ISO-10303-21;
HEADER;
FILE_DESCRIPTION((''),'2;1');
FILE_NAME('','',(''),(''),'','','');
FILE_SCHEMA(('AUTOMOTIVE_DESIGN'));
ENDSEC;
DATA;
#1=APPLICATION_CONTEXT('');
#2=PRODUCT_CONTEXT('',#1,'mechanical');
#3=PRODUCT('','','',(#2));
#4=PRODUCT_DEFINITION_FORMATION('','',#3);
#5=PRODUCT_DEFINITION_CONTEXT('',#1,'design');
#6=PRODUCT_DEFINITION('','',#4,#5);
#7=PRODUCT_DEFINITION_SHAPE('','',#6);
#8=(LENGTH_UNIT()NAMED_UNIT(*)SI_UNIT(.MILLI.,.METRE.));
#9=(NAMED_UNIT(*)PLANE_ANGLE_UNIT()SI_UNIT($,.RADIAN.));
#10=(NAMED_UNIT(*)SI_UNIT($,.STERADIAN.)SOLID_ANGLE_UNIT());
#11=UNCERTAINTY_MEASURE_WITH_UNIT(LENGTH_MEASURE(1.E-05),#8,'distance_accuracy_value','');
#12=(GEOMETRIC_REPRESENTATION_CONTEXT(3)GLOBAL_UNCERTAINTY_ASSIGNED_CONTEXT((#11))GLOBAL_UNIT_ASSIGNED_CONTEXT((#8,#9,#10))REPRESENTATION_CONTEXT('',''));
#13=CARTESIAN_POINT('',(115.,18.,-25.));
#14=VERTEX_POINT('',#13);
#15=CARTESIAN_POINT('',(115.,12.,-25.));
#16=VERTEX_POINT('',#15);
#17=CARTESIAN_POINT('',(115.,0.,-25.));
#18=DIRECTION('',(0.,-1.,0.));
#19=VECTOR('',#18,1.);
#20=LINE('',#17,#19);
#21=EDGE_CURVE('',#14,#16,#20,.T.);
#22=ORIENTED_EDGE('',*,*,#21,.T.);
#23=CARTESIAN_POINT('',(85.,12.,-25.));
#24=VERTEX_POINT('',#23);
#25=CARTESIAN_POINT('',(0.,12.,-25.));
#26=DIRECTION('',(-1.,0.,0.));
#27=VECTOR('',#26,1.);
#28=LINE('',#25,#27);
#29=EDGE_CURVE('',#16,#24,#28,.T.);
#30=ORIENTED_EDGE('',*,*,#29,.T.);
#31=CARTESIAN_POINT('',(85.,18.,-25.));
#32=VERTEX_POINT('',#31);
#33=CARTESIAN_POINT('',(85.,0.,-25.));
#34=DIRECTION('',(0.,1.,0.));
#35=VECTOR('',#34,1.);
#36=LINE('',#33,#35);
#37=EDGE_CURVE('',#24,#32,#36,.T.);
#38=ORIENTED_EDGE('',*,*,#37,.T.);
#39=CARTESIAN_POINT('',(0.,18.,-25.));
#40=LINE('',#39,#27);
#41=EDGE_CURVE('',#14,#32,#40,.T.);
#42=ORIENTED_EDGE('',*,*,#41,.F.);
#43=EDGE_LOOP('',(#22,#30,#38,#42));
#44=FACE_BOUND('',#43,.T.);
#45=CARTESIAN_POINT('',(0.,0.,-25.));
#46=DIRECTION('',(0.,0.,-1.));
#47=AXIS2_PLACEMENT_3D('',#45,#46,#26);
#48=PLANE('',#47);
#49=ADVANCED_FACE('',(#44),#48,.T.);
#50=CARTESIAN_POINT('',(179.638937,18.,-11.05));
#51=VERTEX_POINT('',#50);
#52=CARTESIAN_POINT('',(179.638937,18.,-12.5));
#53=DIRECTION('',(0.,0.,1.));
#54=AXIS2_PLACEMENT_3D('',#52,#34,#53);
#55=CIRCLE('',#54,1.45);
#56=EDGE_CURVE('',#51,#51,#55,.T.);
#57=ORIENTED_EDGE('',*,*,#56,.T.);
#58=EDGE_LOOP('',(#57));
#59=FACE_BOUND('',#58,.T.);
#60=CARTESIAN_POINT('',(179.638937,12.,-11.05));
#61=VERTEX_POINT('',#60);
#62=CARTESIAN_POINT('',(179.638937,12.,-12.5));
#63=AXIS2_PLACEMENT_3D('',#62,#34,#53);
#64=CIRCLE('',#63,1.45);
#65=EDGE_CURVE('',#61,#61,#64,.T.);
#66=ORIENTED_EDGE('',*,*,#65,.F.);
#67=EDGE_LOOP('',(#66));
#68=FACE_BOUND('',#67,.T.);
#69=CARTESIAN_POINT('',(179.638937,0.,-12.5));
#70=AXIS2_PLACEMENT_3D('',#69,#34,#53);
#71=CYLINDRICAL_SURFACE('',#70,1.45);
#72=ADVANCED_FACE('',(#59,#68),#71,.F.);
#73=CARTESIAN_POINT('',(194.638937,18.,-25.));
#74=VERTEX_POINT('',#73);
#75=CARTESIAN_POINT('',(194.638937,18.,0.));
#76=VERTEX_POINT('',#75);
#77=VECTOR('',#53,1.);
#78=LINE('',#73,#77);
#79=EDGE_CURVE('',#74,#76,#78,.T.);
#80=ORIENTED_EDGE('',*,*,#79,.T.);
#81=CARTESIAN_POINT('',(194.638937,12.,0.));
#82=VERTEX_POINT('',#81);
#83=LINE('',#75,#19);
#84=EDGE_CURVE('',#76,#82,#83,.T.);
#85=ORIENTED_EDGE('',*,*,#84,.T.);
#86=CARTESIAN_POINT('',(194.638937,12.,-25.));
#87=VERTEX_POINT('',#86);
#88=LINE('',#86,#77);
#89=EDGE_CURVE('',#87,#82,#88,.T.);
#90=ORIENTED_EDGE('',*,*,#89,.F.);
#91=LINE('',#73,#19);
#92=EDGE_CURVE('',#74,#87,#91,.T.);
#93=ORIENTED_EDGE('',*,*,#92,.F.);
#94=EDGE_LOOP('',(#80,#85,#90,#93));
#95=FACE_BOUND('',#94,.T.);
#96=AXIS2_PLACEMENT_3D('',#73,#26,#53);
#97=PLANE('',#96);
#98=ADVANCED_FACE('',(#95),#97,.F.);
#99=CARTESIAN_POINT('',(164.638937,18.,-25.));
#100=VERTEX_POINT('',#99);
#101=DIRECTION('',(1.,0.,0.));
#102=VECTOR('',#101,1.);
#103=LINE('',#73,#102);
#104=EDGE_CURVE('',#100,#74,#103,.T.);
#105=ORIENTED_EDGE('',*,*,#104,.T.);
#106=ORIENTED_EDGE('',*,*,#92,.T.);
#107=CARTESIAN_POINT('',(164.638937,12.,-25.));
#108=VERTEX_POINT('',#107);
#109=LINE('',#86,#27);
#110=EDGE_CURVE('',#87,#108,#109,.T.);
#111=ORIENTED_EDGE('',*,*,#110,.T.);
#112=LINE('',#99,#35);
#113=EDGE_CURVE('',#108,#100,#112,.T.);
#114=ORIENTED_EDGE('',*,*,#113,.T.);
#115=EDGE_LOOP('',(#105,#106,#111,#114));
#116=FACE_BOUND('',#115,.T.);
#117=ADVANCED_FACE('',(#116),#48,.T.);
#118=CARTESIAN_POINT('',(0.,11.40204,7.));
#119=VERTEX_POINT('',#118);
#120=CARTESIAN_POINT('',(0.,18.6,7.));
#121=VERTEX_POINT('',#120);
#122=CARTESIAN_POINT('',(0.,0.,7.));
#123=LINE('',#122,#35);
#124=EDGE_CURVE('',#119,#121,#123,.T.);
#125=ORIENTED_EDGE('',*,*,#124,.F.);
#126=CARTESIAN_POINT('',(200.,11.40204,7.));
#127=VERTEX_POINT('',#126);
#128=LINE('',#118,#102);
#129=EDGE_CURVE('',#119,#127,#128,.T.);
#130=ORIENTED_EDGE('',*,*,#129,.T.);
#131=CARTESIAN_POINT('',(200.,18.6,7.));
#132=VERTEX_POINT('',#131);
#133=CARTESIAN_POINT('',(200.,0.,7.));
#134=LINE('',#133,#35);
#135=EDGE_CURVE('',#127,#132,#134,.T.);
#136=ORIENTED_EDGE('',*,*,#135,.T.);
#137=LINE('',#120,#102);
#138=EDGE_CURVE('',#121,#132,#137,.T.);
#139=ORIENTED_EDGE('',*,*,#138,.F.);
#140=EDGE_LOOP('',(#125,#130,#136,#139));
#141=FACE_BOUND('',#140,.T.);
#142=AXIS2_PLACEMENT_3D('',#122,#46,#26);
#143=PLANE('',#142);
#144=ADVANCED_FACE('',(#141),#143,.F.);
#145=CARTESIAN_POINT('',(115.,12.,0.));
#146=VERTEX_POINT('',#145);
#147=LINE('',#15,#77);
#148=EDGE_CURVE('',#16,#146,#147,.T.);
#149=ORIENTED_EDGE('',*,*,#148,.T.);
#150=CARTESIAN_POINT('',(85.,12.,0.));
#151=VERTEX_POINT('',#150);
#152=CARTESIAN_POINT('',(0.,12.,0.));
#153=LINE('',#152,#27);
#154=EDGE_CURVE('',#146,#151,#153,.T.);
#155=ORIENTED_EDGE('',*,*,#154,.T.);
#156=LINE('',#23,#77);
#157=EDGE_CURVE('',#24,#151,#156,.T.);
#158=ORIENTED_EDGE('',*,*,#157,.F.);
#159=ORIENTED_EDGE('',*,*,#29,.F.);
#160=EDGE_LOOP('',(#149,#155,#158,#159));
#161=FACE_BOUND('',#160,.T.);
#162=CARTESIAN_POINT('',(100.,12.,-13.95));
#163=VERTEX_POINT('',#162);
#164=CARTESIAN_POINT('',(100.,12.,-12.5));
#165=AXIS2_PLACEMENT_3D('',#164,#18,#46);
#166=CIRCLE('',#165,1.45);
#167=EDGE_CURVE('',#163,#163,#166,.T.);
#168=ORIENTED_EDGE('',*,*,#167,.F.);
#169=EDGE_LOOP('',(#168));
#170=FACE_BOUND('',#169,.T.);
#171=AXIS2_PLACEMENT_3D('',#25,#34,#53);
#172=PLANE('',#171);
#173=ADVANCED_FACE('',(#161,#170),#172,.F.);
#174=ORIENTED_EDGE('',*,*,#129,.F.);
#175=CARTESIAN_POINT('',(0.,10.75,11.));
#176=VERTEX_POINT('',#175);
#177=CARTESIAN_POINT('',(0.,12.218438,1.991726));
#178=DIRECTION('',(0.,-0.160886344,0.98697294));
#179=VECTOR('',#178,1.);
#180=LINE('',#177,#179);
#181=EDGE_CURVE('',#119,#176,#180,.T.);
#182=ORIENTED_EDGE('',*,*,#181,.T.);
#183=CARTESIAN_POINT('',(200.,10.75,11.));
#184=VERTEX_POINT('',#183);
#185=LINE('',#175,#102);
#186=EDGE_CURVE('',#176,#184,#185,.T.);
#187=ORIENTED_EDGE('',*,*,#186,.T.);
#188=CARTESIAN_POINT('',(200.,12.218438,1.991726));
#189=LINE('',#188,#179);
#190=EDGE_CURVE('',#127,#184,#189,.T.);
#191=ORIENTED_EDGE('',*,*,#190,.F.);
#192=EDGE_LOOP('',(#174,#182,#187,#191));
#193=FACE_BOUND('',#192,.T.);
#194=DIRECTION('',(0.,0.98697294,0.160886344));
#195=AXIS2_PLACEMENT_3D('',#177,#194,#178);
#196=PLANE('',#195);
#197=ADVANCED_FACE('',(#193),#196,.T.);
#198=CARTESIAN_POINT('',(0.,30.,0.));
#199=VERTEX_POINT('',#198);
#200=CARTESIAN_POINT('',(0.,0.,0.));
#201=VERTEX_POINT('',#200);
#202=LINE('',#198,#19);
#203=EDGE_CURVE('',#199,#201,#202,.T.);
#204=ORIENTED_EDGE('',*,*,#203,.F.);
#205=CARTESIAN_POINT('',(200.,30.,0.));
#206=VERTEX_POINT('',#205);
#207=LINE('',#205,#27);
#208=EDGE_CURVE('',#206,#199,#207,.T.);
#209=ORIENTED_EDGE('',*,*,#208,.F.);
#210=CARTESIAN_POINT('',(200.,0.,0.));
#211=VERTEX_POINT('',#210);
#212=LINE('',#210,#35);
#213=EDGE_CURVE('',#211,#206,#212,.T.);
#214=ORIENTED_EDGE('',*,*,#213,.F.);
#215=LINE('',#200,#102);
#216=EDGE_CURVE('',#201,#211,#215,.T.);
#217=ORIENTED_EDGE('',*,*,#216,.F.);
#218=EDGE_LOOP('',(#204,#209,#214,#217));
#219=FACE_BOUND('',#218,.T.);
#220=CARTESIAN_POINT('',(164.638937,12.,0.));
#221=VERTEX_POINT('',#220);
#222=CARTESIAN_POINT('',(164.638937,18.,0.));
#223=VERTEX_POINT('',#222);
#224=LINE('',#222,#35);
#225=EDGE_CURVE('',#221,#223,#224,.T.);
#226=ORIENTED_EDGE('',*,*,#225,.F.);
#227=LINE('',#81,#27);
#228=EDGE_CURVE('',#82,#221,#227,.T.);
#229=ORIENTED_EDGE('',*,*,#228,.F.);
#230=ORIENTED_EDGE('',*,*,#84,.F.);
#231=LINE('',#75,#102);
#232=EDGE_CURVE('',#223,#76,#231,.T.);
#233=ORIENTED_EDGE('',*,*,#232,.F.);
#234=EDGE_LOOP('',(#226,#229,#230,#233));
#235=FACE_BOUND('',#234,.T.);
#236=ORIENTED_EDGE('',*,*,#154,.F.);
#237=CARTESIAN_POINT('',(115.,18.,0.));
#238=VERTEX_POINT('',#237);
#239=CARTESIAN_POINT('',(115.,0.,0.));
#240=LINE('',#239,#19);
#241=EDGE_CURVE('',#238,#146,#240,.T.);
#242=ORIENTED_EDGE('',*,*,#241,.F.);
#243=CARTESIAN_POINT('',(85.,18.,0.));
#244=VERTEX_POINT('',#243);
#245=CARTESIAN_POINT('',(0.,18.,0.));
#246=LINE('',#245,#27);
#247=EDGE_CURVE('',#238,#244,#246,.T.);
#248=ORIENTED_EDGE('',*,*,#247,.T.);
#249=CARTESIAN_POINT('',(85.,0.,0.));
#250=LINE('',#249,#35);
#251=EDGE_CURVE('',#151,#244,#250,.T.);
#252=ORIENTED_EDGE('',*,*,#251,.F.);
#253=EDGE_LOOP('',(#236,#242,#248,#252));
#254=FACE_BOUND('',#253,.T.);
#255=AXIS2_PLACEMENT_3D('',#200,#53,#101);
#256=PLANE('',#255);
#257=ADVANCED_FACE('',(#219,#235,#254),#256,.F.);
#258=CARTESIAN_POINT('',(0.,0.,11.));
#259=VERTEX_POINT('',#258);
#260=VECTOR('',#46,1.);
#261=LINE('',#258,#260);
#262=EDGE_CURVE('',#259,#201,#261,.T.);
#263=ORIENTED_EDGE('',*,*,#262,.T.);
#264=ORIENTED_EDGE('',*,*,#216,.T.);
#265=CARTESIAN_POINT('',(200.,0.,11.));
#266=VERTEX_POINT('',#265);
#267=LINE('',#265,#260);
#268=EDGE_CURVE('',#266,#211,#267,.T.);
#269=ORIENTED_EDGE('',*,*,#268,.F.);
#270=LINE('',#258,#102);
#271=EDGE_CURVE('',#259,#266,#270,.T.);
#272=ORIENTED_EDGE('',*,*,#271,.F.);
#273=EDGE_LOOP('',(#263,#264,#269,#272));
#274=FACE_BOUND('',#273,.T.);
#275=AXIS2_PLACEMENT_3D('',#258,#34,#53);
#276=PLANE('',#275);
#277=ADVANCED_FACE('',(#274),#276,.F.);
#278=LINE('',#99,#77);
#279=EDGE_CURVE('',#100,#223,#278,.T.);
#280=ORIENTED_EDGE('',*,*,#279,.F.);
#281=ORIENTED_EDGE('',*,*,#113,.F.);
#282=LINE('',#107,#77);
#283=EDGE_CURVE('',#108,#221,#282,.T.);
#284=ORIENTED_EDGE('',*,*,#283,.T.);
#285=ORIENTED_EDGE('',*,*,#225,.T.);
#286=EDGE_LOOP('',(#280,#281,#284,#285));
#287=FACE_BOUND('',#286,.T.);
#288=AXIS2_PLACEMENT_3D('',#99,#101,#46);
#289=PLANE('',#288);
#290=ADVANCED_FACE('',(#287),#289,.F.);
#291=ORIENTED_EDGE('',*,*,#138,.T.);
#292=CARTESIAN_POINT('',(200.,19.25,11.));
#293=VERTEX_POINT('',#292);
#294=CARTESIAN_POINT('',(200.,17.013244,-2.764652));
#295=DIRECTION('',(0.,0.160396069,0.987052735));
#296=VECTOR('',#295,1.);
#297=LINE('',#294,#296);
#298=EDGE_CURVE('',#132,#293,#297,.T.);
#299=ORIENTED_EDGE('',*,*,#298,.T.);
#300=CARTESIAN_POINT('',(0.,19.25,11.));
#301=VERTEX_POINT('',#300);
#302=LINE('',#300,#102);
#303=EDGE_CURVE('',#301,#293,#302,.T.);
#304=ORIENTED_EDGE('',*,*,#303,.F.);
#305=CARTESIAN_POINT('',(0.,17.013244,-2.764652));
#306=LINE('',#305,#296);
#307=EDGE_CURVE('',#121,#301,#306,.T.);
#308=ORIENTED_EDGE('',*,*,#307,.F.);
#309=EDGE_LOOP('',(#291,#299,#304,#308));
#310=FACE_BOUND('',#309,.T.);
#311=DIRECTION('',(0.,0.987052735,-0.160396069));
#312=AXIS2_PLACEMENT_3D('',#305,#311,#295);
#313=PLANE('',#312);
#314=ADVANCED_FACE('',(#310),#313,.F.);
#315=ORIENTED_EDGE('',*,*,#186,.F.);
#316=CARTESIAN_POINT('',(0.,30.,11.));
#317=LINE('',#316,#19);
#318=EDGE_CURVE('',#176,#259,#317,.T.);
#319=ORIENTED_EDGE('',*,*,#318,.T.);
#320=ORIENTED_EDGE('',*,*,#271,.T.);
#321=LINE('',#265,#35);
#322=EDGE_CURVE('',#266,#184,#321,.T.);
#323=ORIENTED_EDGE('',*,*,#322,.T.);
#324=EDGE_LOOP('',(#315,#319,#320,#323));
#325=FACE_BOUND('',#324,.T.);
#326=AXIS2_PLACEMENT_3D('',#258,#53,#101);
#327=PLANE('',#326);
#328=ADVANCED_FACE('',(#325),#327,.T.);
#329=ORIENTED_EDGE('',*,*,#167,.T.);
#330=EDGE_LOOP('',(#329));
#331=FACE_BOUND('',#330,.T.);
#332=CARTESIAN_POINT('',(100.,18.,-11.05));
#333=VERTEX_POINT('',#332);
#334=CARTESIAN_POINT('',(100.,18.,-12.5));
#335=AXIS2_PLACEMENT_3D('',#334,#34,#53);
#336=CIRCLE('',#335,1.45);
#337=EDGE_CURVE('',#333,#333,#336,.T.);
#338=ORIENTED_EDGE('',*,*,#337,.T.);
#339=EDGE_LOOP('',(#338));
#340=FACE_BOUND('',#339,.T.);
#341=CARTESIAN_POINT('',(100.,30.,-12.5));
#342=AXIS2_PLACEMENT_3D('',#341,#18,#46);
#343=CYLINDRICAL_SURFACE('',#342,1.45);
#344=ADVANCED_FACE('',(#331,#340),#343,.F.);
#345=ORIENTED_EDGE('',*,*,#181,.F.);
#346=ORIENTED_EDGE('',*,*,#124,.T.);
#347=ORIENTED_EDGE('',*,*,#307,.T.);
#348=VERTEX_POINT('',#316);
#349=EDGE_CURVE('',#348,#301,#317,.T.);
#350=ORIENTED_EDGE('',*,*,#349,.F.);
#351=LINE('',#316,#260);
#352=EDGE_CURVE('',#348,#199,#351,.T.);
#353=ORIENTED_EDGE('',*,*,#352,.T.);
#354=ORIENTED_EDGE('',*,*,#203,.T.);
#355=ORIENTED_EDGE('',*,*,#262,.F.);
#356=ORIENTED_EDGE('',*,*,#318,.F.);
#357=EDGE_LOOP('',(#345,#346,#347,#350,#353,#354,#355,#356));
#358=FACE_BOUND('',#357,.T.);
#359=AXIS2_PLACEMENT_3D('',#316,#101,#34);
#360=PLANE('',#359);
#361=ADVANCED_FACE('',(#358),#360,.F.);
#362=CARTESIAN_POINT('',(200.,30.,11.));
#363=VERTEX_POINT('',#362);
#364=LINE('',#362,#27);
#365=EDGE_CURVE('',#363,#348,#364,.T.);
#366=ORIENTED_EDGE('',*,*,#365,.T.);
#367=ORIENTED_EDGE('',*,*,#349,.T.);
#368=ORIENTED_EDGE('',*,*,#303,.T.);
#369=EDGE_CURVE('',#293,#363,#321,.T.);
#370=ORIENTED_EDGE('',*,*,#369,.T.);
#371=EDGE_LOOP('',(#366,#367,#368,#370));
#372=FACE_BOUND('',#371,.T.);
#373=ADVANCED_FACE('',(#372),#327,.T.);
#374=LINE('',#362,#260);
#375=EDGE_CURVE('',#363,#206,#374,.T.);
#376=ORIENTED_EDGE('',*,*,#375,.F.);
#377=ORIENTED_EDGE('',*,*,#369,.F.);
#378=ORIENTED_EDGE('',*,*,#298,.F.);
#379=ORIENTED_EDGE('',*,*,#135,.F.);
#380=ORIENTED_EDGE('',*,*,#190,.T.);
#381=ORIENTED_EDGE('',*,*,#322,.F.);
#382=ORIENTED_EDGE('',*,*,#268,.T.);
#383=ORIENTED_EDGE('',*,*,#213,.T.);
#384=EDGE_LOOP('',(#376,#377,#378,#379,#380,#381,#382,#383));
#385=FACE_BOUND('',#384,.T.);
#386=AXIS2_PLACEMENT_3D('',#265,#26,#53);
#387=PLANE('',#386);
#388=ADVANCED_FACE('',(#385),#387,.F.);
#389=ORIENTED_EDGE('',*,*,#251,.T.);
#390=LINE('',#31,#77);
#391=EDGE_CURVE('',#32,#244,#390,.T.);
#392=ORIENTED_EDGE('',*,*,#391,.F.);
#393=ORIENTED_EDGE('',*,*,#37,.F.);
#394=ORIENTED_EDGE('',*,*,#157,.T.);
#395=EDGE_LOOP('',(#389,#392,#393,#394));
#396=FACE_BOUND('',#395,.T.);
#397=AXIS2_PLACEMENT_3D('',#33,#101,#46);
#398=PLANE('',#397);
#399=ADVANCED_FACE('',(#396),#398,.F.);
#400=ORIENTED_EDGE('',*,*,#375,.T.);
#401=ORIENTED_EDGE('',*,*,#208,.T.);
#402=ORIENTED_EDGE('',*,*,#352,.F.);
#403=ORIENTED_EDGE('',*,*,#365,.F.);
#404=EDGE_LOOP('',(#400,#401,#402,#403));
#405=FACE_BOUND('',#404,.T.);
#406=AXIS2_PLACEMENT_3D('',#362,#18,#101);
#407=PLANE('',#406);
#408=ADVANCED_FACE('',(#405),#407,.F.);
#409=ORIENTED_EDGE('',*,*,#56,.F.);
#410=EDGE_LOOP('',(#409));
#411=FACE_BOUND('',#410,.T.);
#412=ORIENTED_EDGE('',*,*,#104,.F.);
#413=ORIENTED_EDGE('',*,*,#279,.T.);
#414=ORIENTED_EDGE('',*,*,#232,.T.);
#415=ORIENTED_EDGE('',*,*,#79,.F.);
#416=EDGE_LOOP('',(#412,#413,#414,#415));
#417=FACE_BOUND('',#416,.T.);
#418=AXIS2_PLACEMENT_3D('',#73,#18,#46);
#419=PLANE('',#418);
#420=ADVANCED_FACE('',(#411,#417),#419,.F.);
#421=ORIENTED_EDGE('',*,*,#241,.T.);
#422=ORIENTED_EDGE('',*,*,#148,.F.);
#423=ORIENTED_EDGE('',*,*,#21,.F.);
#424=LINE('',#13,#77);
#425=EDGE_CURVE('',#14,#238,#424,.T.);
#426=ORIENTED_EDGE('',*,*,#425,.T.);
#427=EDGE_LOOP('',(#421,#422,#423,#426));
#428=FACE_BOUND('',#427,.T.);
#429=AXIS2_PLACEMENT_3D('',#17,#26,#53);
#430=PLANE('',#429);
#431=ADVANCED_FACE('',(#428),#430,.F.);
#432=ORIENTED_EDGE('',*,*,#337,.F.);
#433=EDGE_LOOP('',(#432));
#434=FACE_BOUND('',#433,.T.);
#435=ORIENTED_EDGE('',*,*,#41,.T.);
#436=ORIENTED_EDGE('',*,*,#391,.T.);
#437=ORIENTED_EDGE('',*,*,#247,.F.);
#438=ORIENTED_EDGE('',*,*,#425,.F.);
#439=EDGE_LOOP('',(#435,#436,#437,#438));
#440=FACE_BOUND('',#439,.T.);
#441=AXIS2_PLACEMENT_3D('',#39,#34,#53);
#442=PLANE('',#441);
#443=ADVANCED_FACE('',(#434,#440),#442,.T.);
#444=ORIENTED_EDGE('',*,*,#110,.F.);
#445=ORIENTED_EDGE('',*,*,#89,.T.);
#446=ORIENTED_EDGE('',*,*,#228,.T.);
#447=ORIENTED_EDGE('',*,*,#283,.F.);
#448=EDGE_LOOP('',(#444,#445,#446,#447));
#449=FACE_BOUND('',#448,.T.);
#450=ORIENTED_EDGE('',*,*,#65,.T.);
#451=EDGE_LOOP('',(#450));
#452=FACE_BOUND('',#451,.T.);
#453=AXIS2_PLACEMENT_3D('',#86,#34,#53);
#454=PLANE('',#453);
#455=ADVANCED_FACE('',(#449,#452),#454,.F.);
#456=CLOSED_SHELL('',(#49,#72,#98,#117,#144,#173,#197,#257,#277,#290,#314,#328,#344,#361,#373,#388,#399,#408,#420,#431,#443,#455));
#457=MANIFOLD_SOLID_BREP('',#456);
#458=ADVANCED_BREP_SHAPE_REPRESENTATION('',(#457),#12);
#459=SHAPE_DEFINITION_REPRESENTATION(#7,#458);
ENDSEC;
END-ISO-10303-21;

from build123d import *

# Parameters (mm, degrees)
SKETCH_1_W          = 200
SKETCH_1_H          = 30
EXTRUDE_1_DEPTH     = 11
SKETCH_4_W          = 15
SKETCH_4_H          = 3
EXTRUDE_2_DEPTH     = 25
CUT_EXTRUDE_2_DEPTH = 204.776838723
CUT_EXTRUDE_3_DEPTH = 203.358592602
SKETCH_9_W          = 30
SKETCH_9_H          = 6
EXTRUDE_3_DEPTH     = 25
CUT_EXTRUDE_4_DEPTH = 203.358592602


with BuildPart() as part:
    # 草圖1 → 填料-伸長1 (new body)
    with BuildSketch(Plane.XY):
        with Locations((100, 15)):
            Rectangle(SKETCH_1_W, SKETCH_1_H)
    extrude(amount=EXTRUDE_1_DEPTH)

    # 草圖4 → 填料-伸長2 (add)
    with BuildSketch(Plane(origin=(0, 0, 0), x_dir=(-1, 0, 0), z_dir=(0, 0, -1))):
        with Locations((-107.5, 13.5)):
            Rectangle(SKETCH_4_W, SKETCH_4_H)
        with Locations((-107.5, 16.5)):
            Rectangle(SKETCH_4_W, SKETCH_4_H)
        with Locations((-92.5, 16.5)):
            Rectangle(SKETCH_4_W, SKETCH_4_H)
        with Locations((-92.5, 13.5)):
            Rectangle(SKETCH_4_W, SKETCH_4_H)
    extrude(amount=EXTRUDE_2_DEPTH)

    # 草圖5 → 除料-伸長2 (cut, through all)
    with BuildSketch(Plane(origin=(200, 0, 0), x_dir=(0, 0, -1), z_dir=(1, 0, 0))):
        Polygon((-11, 15), (-7, 15), (-7, 18.6), (-11, 19.25), align=None)
        Polygon((-7, 11.402039536), (-7, 15), (-11, 15), (-11, 10.75), align=None)
    extrude(amount=-CUT_EXTRUDE_2_DEPTH, mode=Mode.SUBTRACT)

    # 草圖6 → 除料-伸長3 (cut, through all)
    with BuildSketch(Plane.XZ.offset(-12)):
        with BuildLine():
            ThreePointArc((101.45, -12.5), (101.025304833, -11.474695167), (100, -11.05))
            Line((100, -11.05), (100, -12.5))
            Line((100, -12.5), (101.45, -12.5))
        make_face()
        with BuildLine():
            Line((100, -12.5), (100, -11.05))
            ThreePointArc((100, -11.05), (98.974695167, -11.474695167), (98.55, -12.5))
            Line((98.55, -12.5), (100, -12.5))
        make_face()
        with BuildLine():
            Line((101.45, -12.5), (100, -12.5))
            Line((100, -12.5), (100, -13.95))
            ThreePointArc((100, -13.95), (101.025304833, -13.525304833), (101.45, -12.5))
        make_face()
        with BuildLine():
            Line((100, -13.95), (100, -12.5))
            Line((100, -12.5), (98.55, -12.5))
            ThreePointArc((98.55, -12.5), (98.974695167, -13.525304833), (100, -13.95))
        make_face()
    extrude(amount=-CUT_EXTRUDE_3_DEPTH, mode=Mode.SUBTRACT)

    # 草圖9 → 填料-伸長3 (add)
    with BuildSketch(Plane(origin=(0, 0, 0), x_dir=(-1, 0, 0), z_dir=(0, 0, -1))):
        with Locations((-179.638936631, 15)):
            Rectangle(SKETCH_9_W, SKETCH_9_H)
    extrude(amount=EXTRUDE_3_DEPTH)

    # 草圖10 → 除料-伸長4 (cut, through all)
    with BuildSketch(Plane(origin=(0, 18, 0), x_dir=(1, 0, 0), z_dir=(0, 1, 0))):
        with BuildLine():
            ThreePointArc((178.188936631, 12.5), (179.638936631, 11.05), (181.088936631, 12.5))
            Line((181.088936631, 12.5), (178.188936631, 12.5))
        make_face()
        with BuildLine():
            Line((178.188936631, 12.5), (181.088936631, 12.5))
            ThreePointArc((181.088936631, 12.5), (179.638936631, 13.95), (178.188936631, 12.5))
        make_face()
    extrude(amount=-CUT_EXTRUDE_4_DEPTH, mode=Mode.SUBTRACT)


solid = part.part
